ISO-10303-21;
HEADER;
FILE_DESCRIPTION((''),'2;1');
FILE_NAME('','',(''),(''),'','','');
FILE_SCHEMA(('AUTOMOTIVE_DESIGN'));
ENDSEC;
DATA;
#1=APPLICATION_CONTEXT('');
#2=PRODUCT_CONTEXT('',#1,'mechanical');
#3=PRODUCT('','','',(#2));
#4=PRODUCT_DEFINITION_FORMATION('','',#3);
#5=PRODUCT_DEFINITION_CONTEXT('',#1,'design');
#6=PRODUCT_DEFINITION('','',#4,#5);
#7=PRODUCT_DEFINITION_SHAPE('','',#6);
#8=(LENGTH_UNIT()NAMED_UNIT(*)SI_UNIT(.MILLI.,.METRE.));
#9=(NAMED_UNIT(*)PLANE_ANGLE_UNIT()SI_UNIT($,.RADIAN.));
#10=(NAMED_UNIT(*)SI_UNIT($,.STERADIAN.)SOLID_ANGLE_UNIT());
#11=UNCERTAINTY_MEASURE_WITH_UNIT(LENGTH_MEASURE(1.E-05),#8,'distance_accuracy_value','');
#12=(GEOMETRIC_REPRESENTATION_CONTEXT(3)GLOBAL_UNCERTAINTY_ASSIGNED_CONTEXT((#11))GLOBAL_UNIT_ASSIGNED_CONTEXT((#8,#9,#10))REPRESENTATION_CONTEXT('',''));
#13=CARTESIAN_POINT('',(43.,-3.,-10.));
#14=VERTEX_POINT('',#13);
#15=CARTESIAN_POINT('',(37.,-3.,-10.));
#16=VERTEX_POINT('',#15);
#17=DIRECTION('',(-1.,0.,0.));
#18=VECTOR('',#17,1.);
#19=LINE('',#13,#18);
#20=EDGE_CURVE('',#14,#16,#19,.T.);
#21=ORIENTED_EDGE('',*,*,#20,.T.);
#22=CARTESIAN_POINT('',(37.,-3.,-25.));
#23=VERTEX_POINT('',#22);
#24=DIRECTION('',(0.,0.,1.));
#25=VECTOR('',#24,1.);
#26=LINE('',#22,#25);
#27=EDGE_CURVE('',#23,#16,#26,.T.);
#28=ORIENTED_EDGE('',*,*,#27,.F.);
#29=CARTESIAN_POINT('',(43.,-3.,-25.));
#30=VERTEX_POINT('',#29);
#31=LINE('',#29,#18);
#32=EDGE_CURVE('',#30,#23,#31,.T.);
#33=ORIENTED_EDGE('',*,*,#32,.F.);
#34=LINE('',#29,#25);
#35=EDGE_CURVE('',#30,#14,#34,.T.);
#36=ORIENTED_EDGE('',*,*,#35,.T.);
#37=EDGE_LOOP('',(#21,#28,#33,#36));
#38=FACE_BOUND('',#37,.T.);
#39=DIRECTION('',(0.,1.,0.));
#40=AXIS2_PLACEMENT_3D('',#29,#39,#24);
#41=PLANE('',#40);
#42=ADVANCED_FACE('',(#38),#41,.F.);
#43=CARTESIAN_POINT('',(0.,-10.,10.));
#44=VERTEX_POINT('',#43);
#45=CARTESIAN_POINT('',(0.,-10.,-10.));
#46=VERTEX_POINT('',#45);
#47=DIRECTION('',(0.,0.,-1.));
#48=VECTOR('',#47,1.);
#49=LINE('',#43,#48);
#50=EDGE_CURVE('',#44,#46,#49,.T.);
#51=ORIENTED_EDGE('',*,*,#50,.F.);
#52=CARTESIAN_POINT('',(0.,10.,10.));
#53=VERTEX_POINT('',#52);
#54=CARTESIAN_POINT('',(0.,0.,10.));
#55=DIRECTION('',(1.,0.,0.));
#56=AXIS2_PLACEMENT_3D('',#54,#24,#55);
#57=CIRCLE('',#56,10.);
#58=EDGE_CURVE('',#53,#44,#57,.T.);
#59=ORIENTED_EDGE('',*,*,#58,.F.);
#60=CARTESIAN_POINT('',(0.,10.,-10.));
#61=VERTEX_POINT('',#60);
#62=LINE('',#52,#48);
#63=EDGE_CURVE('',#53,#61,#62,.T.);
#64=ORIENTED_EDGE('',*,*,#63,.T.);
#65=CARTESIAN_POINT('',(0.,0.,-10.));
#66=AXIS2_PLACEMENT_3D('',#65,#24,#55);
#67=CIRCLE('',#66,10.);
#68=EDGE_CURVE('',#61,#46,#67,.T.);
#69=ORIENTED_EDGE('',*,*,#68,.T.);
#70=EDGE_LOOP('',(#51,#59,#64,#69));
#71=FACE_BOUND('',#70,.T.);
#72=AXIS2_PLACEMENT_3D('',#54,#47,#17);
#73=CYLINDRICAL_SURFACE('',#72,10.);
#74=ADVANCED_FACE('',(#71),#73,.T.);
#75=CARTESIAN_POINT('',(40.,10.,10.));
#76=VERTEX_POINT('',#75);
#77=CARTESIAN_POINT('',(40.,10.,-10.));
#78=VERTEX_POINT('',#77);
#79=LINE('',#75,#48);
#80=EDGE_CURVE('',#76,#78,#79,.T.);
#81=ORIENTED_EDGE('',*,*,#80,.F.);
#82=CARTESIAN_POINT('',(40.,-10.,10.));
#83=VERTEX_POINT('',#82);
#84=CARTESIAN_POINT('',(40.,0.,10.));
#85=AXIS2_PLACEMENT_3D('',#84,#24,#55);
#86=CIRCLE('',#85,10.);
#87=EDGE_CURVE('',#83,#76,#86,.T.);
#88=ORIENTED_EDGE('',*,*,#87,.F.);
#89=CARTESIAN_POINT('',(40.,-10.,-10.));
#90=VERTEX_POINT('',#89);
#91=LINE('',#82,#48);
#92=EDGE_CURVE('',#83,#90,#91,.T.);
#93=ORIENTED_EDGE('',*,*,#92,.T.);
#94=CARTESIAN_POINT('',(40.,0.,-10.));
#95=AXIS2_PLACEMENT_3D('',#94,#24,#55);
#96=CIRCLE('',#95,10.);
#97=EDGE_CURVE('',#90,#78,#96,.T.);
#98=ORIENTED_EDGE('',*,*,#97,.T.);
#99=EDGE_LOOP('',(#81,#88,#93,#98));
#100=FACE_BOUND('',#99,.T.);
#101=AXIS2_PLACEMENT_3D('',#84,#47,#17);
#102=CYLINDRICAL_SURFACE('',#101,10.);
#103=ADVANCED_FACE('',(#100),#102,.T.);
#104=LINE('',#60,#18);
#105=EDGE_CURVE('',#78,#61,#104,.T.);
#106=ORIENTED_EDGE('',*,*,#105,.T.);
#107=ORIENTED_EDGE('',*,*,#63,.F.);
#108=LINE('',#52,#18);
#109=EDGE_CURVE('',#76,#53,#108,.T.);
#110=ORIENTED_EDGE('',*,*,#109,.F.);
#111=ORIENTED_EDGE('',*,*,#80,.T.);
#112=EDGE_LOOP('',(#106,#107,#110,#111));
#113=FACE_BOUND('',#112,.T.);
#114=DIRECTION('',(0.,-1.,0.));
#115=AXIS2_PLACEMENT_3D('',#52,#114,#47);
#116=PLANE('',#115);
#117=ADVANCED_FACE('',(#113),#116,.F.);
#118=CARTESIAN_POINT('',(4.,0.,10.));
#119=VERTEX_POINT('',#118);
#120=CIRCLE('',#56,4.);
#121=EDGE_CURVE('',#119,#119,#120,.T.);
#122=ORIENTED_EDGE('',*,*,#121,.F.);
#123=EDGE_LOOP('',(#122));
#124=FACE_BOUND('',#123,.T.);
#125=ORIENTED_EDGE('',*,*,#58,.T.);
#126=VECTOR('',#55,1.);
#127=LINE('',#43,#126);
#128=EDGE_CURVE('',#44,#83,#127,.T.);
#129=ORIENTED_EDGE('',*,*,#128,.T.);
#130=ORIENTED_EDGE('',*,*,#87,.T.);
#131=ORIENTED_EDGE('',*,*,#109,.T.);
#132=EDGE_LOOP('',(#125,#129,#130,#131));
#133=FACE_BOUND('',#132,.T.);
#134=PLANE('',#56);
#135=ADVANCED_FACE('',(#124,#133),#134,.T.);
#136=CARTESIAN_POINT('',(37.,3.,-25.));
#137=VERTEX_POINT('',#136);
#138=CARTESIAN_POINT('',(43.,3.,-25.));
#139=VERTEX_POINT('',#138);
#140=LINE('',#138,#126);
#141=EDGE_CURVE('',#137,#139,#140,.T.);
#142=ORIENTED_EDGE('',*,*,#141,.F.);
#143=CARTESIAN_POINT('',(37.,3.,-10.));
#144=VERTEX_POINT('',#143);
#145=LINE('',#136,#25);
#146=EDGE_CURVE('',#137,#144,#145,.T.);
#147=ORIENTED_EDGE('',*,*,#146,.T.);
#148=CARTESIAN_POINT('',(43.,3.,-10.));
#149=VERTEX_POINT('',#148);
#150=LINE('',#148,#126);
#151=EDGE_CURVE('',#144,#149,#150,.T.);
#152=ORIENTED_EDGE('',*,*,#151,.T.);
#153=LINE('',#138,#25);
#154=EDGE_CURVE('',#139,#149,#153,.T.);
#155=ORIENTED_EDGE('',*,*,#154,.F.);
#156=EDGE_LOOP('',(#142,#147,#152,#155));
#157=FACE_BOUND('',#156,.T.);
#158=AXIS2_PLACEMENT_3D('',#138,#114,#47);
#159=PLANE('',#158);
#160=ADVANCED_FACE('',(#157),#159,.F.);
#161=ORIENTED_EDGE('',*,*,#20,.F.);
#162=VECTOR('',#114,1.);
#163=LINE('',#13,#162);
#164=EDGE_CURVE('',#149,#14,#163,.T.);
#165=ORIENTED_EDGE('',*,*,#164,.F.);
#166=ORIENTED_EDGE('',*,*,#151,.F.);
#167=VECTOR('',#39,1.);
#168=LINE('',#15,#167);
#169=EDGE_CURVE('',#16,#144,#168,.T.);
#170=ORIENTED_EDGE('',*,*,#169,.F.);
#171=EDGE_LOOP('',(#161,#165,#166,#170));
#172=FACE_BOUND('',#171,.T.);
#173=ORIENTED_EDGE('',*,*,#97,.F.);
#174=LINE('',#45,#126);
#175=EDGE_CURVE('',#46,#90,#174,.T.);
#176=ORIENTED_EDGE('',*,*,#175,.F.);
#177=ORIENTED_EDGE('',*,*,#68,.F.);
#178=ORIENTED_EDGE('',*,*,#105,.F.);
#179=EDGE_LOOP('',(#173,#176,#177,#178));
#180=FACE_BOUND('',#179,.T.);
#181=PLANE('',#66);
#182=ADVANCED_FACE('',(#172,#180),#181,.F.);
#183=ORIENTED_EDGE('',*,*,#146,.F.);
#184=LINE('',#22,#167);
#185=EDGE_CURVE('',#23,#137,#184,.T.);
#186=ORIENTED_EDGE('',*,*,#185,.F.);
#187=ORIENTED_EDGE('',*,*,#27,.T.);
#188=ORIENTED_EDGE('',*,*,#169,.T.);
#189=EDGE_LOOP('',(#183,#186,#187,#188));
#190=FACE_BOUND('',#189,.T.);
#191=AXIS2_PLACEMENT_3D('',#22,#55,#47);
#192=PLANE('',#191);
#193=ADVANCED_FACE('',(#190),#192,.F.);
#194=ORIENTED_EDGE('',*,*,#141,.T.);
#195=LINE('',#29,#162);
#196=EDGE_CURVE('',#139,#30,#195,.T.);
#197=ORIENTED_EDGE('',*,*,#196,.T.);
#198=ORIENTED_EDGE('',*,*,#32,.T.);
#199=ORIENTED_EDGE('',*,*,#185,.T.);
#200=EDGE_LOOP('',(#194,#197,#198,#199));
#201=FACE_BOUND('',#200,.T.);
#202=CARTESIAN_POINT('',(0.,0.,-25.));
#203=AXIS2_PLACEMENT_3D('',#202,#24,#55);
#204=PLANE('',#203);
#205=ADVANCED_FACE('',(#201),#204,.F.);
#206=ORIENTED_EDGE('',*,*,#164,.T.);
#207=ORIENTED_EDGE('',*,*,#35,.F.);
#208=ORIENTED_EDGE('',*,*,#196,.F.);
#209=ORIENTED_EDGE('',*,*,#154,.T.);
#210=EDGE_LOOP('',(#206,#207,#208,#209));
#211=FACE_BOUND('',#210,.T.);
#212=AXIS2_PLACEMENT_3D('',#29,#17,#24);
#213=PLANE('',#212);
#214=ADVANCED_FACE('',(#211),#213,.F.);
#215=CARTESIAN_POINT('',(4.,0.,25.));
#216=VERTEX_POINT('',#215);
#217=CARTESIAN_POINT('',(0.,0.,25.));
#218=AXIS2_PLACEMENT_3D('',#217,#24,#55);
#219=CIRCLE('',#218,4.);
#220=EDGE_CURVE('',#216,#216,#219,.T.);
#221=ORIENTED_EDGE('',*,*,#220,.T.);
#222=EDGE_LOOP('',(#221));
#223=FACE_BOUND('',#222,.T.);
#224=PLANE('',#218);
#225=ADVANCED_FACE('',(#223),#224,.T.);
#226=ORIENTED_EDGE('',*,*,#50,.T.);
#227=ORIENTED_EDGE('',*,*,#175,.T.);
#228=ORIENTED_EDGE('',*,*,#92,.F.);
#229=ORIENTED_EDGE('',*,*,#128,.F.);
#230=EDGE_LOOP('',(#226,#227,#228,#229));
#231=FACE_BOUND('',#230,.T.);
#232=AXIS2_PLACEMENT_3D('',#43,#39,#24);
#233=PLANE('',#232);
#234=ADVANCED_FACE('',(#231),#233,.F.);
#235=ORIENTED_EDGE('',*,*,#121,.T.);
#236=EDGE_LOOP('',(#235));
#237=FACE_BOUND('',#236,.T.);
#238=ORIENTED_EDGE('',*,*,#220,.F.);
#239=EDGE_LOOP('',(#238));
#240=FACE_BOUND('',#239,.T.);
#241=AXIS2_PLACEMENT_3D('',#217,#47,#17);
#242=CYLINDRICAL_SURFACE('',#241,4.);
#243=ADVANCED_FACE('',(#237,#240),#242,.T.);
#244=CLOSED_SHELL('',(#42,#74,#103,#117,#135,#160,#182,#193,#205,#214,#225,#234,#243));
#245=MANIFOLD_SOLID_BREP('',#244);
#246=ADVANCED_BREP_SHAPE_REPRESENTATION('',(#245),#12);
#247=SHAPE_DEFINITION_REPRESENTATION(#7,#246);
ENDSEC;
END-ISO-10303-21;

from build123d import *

# Parameters (mm, degrees)
EXTRUDE_1_DEPTH = 10
SKETCH_2_R      = 4
EXTRUDE_2_DEPTH = 15
SKETCH_3_W      = 6
SKETCH_3_H      = 6
EXTRUDE_3_DEPTH = 15


with BuildPart() as part:
    # 草图1 → 凸台-拉伸1 (new, symmetric)
    with BuildSketch(Plane.XY):
        with BuildLine():
            Line((0, 10), (40, 10))
            ThreePointArc((40, 10), (50, 0), (40, -10))
            Line((40, -10), (0, -10))
            ThreePointArc((0, -10), (-10, 0), (0, 10))
        make_face()
    extrude(amount=EXTRUDE_1_DEPTH, both=True)

    # 草图2 → 凸台-拉伸2 (add)
    with BuildSketch(Plane.XY.offset(10)):
        Circle(SKETCH_2_R)
    extrude(amount=EXTRUDE_2_DEPTH)

    # 草图3 → 凸台-拉伸3 (add)
    with BuildSketch(Plane(origin=(0, 0, -10), x_dir=(-1, 0, 0), z_dir=(0, 0, -1))):
        with Locations((-40, 0)):
            Rectangle(SKETCH_3_W, SKETCH_3_H)
    extrude(amount=EXTRUDE_3_DEPTH)


solid = part.part
